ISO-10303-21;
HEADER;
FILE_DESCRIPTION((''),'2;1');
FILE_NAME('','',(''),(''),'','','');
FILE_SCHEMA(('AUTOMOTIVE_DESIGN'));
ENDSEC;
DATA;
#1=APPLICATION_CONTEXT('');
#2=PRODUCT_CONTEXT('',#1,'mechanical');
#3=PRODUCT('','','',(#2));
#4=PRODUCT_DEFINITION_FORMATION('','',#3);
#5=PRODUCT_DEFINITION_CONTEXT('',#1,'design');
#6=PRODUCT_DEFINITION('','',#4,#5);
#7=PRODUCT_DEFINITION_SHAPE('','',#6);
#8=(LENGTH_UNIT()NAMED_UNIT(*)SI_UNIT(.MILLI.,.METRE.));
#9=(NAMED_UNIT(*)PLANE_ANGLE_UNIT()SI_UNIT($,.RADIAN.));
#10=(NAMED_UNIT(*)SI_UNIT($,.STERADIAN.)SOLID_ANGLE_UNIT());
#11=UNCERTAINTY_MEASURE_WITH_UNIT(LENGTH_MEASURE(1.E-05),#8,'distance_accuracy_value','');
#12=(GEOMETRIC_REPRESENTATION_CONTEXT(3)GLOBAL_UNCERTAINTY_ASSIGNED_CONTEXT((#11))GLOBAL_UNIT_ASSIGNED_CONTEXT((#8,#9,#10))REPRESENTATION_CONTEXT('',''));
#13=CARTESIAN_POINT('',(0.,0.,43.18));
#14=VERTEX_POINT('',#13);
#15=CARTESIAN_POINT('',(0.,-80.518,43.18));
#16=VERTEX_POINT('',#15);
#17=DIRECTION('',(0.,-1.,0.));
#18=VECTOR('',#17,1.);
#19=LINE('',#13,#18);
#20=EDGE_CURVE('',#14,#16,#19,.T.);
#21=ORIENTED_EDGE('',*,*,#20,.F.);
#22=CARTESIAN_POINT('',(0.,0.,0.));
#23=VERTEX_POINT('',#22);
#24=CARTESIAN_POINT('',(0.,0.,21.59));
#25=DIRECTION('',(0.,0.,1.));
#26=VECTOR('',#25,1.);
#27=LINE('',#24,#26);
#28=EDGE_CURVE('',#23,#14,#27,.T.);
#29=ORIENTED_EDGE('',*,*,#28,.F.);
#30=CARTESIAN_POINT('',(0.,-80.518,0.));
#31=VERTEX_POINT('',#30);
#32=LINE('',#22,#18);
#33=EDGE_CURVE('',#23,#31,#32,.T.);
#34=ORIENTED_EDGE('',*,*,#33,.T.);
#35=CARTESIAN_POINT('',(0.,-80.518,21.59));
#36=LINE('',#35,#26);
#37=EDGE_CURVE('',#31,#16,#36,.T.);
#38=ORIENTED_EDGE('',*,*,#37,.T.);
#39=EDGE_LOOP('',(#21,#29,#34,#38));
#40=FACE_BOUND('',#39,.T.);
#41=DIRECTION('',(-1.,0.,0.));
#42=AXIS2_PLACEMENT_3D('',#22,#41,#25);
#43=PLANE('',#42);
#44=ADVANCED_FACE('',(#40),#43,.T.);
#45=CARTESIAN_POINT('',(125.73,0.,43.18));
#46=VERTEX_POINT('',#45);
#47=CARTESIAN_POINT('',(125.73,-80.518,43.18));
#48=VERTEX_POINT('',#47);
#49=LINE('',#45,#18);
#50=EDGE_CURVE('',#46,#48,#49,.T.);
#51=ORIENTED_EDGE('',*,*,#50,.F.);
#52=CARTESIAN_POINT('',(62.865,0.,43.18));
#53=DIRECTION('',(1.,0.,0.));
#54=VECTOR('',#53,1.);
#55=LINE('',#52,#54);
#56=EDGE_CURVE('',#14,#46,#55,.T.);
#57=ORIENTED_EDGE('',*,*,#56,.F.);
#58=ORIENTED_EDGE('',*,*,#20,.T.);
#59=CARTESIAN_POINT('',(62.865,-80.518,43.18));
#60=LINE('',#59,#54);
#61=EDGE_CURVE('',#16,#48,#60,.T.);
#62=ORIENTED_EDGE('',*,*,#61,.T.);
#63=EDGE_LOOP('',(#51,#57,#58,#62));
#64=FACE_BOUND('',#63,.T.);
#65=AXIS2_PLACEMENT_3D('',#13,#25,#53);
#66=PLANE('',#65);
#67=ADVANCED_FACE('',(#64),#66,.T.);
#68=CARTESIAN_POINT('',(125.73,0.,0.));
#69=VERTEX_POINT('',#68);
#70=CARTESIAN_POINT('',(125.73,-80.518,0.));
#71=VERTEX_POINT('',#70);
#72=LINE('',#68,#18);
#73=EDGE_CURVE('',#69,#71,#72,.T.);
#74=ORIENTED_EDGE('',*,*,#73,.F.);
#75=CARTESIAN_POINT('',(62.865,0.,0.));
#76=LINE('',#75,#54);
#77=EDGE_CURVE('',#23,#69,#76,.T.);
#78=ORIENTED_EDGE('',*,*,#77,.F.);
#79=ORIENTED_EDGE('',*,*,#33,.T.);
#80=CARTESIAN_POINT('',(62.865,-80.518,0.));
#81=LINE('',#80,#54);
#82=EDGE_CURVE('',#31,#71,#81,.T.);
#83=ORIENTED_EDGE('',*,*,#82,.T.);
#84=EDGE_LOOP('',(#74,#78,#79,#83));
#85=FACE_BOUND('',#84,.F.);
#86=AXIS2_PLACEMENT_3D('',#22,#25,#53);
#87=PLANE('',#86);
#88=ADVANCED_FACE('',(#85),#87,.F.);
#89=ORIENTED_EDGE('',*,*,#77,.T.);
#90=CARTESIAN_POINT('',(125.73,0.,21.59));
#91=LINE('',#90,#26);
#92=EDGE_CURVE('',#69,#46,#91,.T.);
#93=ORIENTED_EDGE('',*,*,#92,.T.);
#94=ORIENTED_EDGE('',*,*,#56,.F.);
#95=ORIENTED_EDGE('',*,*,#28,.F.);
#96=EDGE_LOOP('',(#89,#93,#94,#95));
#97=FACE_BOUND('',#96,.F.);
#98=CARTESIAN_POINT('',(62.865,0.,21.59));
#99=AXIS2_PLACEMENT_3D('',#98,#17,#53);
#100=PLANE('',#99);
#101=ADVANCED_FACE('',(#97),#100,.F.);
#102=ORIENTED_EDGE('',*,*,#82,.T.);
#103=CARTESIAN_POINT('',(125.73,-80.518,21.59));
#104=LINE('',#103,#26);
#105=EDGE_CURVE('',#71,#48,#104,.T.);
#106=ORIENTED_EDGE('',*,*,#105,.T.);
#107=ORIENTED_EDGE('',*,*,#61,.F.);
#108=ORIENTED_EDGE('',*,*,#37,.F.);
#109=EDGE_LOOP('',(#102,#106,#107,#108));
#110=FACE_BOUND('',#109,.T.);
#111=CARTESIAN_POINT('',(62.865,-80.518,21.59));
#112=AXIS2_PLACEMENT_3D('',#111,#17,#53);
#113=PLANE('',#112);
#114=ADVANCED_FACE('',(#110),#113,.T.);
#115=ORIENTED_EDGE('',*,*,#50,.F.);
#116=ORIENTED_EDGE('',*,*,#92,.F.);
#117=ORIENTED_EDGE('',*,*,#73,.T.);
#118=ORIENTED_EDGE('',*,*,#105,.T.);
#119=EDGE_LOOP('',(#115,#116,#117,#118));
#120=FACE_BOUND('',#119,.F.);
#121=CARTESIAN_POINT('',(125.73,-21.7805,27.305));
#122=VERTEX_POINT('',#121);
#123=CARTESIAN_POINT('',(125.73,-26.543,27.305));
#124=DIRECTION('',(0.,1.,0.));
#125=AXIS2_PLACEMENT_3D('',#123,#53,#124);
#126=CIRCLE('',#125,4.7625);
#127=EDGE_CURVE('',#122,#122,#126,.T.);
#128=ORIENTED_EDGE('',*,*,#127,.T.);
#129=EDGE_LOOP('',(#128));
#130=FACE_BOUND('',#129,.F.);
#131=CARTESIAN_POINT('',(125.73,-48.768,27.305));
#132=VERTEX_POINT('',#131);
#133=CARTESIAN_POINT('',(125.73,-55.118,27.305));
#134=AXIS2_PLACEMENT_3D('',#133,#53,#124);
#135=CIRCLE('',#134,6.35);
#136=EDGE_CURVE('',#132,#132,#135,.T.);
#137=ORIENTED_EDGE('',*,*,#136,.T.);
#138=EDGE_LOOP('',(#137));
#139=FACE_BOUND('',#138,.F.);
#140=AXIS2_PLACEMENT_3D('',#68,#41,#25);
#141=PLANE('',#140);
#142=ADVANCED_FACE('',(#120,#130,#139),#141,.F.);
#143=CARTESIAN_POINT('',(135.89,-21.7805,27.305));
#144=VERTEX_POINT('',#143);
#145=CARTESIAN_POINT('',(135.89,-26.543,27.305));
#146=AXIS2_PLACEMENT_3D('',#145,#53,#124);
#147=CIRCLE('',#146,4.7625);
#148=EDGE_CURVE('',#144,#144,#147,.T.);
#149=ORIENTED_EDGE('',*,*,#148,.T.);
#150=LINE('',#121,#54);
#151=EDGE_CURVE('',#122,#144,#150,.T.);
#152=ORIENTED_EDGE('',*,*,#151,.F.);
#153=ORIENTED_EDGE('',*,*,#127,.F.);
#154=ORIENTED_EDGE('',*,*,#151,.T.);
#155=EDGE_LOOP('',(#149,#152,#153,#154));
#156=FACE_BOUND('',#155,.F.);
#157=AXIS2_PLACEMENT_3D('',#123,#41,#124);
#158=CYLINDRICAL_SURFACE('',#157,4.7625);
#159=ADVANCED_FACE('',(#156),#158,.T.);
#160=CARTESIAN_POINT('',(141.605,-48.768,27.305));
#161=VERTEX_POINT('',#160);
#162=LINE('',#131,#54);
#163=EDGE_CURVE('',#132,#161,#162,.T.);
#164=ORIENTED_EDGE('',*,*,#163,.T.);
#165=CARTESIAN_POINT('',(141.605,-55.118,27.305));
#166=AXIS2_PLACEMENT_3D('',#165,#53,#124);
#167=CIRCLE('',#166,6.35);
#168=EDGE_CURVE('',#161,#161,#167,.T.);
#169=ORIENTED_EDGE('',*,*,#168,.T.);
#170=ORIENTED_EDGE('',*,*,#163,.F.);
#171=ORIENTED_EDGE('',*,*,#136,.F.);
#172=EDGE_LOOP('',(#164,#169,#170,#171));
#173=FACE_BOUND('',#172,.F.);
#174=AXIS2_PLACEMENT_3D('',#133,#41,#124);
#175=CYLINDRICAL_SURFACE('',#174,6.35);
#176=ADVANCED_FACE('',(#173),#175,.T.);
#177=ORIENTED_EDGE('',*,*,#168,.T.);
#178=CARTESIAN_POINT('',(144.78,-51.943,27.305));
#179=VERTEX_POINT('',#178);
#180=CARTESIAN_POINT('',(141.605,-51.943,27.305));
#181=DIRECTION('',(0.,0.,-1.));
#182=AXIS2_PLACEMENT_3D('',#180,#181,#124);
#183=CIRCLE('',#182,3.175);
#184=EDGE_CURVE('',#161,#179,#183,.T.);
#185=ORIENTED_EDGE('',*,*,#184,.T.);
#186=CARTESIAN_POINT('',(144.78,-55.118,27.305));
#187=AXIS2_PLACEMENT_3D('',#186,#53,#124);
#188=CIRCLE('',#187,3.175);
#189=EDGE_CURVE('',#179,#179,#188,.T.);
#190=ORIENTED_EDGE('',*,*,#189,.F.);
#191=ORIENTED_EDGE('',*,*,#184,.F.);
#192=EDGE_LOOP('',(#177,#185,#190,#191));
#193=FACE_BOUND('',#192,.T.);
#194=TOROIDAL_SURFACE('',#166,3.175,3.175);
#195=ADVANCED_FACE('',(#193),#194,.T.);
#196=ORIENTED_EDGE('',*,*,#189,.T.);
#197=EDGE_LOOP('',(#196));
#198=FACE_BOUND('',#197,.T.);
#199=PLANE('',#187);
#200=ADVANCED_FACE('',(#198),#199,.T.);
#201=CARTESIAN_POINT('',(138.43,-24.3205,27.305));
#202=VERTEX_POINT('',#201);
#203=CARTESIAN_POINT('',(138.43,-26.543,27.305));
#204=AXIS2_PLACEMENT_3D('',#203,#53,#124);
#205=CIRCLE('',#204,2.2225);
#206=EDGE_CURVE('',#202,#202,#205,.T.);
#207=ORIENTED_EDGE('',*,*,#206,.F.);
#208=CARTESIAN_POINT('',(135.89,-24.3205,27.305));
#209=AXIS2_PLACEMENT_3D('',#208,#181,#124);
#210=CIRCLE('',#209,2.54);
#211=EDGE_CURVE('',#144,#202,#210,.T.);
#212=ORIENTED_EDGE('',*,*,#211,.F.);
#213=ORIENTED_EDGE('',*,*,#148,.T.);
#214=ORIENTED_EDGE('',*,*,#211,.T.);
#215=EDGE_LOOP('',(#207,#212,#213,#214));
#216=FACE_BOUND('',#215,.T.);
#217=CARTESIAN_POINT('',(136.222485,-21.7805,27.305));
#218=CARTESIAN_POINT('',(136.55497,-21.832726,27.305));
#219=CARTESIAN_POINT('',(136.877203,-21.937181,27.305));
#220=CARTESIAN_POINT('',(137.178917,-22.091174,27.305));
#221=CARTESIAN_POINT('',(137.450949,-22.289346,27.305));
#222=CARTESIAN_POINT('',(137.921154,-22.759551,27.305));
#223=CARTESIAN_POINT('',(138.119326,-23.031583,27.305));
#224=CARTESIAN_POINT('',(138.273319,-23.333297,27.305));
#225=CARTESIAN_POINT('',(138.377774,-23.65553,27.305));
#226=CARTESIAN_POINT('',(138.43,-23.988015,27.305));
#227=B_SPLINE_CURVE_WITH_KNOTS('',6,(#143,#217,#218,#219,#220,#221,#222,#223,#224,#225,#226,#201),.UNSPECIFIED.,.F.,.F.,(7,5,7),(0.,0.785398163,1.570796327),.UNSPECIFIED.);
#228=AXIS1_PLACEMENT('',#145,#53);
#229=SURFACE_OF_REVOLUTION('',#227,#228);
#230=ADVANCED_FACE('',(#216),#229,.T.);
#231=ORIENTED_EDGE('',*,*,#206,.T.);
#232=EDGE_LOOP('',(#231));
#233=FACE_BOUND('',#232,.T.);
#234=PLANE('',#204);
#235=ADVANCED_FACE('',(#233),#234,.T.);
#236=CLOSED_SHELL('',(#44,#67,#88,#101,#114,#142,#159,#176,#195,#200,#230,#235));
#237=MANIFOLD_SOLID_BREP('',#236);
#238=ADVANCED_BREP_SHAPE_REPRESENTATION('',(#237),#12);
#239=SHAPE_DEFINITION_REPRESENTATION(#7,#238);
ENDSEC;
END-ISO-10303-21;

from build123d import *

# Parameters (mm, degrees)
F0_W     = 125.73
F0_H     = 43.18
F1_DEPTH = 80.518
F2_R     = 6.35
F3_DEPTH = 19.05
F2_R_2   = 4.7625
F4_DEPTH = 12.7
F5_R     = 3.175
F6_R     = 2.54


with BuildPart() as f1:
    # F0 (on Front) → F1 (new body)
    with BuildSketch(Plane.XZ):
        with Locations((62.865, 21.59)):
            Rectangle(F0_W, F0_H)
    extrude(amount=F1_DEPTH)

    # F2 (on face) → F3 (join)
    with BuildSketch(Plane.YZ.offset(125.73)):
        with Locations((-55.118, 27.305)):
            Circle(F2_R)
    extrude(amount=F3_DEPTH)

    # F2 (on face) → F4 (join)
    with BuildSketch(Plane.YZ.offset(125.73)):
        with Locations((-26.543, 27.305)):
            Circle(F2_R_2)
    extrude(amount=F4_DEPTH)

    # F5
    f5_edges = [f1.edges().sort_by_distance(p)[0] for p in [
        (144.78, -61.468, 27.305),
    ]]
    fillet(f5_edges, radius=F5_R)

    # F6
    f6_edges = [f1.edges().sort_by_distance(p)[0] for p in [
        (138.43, -31.3055, 27.305),
    ]]
    fillet(f6_edges, radius=F6_R)


solid = f1.part
